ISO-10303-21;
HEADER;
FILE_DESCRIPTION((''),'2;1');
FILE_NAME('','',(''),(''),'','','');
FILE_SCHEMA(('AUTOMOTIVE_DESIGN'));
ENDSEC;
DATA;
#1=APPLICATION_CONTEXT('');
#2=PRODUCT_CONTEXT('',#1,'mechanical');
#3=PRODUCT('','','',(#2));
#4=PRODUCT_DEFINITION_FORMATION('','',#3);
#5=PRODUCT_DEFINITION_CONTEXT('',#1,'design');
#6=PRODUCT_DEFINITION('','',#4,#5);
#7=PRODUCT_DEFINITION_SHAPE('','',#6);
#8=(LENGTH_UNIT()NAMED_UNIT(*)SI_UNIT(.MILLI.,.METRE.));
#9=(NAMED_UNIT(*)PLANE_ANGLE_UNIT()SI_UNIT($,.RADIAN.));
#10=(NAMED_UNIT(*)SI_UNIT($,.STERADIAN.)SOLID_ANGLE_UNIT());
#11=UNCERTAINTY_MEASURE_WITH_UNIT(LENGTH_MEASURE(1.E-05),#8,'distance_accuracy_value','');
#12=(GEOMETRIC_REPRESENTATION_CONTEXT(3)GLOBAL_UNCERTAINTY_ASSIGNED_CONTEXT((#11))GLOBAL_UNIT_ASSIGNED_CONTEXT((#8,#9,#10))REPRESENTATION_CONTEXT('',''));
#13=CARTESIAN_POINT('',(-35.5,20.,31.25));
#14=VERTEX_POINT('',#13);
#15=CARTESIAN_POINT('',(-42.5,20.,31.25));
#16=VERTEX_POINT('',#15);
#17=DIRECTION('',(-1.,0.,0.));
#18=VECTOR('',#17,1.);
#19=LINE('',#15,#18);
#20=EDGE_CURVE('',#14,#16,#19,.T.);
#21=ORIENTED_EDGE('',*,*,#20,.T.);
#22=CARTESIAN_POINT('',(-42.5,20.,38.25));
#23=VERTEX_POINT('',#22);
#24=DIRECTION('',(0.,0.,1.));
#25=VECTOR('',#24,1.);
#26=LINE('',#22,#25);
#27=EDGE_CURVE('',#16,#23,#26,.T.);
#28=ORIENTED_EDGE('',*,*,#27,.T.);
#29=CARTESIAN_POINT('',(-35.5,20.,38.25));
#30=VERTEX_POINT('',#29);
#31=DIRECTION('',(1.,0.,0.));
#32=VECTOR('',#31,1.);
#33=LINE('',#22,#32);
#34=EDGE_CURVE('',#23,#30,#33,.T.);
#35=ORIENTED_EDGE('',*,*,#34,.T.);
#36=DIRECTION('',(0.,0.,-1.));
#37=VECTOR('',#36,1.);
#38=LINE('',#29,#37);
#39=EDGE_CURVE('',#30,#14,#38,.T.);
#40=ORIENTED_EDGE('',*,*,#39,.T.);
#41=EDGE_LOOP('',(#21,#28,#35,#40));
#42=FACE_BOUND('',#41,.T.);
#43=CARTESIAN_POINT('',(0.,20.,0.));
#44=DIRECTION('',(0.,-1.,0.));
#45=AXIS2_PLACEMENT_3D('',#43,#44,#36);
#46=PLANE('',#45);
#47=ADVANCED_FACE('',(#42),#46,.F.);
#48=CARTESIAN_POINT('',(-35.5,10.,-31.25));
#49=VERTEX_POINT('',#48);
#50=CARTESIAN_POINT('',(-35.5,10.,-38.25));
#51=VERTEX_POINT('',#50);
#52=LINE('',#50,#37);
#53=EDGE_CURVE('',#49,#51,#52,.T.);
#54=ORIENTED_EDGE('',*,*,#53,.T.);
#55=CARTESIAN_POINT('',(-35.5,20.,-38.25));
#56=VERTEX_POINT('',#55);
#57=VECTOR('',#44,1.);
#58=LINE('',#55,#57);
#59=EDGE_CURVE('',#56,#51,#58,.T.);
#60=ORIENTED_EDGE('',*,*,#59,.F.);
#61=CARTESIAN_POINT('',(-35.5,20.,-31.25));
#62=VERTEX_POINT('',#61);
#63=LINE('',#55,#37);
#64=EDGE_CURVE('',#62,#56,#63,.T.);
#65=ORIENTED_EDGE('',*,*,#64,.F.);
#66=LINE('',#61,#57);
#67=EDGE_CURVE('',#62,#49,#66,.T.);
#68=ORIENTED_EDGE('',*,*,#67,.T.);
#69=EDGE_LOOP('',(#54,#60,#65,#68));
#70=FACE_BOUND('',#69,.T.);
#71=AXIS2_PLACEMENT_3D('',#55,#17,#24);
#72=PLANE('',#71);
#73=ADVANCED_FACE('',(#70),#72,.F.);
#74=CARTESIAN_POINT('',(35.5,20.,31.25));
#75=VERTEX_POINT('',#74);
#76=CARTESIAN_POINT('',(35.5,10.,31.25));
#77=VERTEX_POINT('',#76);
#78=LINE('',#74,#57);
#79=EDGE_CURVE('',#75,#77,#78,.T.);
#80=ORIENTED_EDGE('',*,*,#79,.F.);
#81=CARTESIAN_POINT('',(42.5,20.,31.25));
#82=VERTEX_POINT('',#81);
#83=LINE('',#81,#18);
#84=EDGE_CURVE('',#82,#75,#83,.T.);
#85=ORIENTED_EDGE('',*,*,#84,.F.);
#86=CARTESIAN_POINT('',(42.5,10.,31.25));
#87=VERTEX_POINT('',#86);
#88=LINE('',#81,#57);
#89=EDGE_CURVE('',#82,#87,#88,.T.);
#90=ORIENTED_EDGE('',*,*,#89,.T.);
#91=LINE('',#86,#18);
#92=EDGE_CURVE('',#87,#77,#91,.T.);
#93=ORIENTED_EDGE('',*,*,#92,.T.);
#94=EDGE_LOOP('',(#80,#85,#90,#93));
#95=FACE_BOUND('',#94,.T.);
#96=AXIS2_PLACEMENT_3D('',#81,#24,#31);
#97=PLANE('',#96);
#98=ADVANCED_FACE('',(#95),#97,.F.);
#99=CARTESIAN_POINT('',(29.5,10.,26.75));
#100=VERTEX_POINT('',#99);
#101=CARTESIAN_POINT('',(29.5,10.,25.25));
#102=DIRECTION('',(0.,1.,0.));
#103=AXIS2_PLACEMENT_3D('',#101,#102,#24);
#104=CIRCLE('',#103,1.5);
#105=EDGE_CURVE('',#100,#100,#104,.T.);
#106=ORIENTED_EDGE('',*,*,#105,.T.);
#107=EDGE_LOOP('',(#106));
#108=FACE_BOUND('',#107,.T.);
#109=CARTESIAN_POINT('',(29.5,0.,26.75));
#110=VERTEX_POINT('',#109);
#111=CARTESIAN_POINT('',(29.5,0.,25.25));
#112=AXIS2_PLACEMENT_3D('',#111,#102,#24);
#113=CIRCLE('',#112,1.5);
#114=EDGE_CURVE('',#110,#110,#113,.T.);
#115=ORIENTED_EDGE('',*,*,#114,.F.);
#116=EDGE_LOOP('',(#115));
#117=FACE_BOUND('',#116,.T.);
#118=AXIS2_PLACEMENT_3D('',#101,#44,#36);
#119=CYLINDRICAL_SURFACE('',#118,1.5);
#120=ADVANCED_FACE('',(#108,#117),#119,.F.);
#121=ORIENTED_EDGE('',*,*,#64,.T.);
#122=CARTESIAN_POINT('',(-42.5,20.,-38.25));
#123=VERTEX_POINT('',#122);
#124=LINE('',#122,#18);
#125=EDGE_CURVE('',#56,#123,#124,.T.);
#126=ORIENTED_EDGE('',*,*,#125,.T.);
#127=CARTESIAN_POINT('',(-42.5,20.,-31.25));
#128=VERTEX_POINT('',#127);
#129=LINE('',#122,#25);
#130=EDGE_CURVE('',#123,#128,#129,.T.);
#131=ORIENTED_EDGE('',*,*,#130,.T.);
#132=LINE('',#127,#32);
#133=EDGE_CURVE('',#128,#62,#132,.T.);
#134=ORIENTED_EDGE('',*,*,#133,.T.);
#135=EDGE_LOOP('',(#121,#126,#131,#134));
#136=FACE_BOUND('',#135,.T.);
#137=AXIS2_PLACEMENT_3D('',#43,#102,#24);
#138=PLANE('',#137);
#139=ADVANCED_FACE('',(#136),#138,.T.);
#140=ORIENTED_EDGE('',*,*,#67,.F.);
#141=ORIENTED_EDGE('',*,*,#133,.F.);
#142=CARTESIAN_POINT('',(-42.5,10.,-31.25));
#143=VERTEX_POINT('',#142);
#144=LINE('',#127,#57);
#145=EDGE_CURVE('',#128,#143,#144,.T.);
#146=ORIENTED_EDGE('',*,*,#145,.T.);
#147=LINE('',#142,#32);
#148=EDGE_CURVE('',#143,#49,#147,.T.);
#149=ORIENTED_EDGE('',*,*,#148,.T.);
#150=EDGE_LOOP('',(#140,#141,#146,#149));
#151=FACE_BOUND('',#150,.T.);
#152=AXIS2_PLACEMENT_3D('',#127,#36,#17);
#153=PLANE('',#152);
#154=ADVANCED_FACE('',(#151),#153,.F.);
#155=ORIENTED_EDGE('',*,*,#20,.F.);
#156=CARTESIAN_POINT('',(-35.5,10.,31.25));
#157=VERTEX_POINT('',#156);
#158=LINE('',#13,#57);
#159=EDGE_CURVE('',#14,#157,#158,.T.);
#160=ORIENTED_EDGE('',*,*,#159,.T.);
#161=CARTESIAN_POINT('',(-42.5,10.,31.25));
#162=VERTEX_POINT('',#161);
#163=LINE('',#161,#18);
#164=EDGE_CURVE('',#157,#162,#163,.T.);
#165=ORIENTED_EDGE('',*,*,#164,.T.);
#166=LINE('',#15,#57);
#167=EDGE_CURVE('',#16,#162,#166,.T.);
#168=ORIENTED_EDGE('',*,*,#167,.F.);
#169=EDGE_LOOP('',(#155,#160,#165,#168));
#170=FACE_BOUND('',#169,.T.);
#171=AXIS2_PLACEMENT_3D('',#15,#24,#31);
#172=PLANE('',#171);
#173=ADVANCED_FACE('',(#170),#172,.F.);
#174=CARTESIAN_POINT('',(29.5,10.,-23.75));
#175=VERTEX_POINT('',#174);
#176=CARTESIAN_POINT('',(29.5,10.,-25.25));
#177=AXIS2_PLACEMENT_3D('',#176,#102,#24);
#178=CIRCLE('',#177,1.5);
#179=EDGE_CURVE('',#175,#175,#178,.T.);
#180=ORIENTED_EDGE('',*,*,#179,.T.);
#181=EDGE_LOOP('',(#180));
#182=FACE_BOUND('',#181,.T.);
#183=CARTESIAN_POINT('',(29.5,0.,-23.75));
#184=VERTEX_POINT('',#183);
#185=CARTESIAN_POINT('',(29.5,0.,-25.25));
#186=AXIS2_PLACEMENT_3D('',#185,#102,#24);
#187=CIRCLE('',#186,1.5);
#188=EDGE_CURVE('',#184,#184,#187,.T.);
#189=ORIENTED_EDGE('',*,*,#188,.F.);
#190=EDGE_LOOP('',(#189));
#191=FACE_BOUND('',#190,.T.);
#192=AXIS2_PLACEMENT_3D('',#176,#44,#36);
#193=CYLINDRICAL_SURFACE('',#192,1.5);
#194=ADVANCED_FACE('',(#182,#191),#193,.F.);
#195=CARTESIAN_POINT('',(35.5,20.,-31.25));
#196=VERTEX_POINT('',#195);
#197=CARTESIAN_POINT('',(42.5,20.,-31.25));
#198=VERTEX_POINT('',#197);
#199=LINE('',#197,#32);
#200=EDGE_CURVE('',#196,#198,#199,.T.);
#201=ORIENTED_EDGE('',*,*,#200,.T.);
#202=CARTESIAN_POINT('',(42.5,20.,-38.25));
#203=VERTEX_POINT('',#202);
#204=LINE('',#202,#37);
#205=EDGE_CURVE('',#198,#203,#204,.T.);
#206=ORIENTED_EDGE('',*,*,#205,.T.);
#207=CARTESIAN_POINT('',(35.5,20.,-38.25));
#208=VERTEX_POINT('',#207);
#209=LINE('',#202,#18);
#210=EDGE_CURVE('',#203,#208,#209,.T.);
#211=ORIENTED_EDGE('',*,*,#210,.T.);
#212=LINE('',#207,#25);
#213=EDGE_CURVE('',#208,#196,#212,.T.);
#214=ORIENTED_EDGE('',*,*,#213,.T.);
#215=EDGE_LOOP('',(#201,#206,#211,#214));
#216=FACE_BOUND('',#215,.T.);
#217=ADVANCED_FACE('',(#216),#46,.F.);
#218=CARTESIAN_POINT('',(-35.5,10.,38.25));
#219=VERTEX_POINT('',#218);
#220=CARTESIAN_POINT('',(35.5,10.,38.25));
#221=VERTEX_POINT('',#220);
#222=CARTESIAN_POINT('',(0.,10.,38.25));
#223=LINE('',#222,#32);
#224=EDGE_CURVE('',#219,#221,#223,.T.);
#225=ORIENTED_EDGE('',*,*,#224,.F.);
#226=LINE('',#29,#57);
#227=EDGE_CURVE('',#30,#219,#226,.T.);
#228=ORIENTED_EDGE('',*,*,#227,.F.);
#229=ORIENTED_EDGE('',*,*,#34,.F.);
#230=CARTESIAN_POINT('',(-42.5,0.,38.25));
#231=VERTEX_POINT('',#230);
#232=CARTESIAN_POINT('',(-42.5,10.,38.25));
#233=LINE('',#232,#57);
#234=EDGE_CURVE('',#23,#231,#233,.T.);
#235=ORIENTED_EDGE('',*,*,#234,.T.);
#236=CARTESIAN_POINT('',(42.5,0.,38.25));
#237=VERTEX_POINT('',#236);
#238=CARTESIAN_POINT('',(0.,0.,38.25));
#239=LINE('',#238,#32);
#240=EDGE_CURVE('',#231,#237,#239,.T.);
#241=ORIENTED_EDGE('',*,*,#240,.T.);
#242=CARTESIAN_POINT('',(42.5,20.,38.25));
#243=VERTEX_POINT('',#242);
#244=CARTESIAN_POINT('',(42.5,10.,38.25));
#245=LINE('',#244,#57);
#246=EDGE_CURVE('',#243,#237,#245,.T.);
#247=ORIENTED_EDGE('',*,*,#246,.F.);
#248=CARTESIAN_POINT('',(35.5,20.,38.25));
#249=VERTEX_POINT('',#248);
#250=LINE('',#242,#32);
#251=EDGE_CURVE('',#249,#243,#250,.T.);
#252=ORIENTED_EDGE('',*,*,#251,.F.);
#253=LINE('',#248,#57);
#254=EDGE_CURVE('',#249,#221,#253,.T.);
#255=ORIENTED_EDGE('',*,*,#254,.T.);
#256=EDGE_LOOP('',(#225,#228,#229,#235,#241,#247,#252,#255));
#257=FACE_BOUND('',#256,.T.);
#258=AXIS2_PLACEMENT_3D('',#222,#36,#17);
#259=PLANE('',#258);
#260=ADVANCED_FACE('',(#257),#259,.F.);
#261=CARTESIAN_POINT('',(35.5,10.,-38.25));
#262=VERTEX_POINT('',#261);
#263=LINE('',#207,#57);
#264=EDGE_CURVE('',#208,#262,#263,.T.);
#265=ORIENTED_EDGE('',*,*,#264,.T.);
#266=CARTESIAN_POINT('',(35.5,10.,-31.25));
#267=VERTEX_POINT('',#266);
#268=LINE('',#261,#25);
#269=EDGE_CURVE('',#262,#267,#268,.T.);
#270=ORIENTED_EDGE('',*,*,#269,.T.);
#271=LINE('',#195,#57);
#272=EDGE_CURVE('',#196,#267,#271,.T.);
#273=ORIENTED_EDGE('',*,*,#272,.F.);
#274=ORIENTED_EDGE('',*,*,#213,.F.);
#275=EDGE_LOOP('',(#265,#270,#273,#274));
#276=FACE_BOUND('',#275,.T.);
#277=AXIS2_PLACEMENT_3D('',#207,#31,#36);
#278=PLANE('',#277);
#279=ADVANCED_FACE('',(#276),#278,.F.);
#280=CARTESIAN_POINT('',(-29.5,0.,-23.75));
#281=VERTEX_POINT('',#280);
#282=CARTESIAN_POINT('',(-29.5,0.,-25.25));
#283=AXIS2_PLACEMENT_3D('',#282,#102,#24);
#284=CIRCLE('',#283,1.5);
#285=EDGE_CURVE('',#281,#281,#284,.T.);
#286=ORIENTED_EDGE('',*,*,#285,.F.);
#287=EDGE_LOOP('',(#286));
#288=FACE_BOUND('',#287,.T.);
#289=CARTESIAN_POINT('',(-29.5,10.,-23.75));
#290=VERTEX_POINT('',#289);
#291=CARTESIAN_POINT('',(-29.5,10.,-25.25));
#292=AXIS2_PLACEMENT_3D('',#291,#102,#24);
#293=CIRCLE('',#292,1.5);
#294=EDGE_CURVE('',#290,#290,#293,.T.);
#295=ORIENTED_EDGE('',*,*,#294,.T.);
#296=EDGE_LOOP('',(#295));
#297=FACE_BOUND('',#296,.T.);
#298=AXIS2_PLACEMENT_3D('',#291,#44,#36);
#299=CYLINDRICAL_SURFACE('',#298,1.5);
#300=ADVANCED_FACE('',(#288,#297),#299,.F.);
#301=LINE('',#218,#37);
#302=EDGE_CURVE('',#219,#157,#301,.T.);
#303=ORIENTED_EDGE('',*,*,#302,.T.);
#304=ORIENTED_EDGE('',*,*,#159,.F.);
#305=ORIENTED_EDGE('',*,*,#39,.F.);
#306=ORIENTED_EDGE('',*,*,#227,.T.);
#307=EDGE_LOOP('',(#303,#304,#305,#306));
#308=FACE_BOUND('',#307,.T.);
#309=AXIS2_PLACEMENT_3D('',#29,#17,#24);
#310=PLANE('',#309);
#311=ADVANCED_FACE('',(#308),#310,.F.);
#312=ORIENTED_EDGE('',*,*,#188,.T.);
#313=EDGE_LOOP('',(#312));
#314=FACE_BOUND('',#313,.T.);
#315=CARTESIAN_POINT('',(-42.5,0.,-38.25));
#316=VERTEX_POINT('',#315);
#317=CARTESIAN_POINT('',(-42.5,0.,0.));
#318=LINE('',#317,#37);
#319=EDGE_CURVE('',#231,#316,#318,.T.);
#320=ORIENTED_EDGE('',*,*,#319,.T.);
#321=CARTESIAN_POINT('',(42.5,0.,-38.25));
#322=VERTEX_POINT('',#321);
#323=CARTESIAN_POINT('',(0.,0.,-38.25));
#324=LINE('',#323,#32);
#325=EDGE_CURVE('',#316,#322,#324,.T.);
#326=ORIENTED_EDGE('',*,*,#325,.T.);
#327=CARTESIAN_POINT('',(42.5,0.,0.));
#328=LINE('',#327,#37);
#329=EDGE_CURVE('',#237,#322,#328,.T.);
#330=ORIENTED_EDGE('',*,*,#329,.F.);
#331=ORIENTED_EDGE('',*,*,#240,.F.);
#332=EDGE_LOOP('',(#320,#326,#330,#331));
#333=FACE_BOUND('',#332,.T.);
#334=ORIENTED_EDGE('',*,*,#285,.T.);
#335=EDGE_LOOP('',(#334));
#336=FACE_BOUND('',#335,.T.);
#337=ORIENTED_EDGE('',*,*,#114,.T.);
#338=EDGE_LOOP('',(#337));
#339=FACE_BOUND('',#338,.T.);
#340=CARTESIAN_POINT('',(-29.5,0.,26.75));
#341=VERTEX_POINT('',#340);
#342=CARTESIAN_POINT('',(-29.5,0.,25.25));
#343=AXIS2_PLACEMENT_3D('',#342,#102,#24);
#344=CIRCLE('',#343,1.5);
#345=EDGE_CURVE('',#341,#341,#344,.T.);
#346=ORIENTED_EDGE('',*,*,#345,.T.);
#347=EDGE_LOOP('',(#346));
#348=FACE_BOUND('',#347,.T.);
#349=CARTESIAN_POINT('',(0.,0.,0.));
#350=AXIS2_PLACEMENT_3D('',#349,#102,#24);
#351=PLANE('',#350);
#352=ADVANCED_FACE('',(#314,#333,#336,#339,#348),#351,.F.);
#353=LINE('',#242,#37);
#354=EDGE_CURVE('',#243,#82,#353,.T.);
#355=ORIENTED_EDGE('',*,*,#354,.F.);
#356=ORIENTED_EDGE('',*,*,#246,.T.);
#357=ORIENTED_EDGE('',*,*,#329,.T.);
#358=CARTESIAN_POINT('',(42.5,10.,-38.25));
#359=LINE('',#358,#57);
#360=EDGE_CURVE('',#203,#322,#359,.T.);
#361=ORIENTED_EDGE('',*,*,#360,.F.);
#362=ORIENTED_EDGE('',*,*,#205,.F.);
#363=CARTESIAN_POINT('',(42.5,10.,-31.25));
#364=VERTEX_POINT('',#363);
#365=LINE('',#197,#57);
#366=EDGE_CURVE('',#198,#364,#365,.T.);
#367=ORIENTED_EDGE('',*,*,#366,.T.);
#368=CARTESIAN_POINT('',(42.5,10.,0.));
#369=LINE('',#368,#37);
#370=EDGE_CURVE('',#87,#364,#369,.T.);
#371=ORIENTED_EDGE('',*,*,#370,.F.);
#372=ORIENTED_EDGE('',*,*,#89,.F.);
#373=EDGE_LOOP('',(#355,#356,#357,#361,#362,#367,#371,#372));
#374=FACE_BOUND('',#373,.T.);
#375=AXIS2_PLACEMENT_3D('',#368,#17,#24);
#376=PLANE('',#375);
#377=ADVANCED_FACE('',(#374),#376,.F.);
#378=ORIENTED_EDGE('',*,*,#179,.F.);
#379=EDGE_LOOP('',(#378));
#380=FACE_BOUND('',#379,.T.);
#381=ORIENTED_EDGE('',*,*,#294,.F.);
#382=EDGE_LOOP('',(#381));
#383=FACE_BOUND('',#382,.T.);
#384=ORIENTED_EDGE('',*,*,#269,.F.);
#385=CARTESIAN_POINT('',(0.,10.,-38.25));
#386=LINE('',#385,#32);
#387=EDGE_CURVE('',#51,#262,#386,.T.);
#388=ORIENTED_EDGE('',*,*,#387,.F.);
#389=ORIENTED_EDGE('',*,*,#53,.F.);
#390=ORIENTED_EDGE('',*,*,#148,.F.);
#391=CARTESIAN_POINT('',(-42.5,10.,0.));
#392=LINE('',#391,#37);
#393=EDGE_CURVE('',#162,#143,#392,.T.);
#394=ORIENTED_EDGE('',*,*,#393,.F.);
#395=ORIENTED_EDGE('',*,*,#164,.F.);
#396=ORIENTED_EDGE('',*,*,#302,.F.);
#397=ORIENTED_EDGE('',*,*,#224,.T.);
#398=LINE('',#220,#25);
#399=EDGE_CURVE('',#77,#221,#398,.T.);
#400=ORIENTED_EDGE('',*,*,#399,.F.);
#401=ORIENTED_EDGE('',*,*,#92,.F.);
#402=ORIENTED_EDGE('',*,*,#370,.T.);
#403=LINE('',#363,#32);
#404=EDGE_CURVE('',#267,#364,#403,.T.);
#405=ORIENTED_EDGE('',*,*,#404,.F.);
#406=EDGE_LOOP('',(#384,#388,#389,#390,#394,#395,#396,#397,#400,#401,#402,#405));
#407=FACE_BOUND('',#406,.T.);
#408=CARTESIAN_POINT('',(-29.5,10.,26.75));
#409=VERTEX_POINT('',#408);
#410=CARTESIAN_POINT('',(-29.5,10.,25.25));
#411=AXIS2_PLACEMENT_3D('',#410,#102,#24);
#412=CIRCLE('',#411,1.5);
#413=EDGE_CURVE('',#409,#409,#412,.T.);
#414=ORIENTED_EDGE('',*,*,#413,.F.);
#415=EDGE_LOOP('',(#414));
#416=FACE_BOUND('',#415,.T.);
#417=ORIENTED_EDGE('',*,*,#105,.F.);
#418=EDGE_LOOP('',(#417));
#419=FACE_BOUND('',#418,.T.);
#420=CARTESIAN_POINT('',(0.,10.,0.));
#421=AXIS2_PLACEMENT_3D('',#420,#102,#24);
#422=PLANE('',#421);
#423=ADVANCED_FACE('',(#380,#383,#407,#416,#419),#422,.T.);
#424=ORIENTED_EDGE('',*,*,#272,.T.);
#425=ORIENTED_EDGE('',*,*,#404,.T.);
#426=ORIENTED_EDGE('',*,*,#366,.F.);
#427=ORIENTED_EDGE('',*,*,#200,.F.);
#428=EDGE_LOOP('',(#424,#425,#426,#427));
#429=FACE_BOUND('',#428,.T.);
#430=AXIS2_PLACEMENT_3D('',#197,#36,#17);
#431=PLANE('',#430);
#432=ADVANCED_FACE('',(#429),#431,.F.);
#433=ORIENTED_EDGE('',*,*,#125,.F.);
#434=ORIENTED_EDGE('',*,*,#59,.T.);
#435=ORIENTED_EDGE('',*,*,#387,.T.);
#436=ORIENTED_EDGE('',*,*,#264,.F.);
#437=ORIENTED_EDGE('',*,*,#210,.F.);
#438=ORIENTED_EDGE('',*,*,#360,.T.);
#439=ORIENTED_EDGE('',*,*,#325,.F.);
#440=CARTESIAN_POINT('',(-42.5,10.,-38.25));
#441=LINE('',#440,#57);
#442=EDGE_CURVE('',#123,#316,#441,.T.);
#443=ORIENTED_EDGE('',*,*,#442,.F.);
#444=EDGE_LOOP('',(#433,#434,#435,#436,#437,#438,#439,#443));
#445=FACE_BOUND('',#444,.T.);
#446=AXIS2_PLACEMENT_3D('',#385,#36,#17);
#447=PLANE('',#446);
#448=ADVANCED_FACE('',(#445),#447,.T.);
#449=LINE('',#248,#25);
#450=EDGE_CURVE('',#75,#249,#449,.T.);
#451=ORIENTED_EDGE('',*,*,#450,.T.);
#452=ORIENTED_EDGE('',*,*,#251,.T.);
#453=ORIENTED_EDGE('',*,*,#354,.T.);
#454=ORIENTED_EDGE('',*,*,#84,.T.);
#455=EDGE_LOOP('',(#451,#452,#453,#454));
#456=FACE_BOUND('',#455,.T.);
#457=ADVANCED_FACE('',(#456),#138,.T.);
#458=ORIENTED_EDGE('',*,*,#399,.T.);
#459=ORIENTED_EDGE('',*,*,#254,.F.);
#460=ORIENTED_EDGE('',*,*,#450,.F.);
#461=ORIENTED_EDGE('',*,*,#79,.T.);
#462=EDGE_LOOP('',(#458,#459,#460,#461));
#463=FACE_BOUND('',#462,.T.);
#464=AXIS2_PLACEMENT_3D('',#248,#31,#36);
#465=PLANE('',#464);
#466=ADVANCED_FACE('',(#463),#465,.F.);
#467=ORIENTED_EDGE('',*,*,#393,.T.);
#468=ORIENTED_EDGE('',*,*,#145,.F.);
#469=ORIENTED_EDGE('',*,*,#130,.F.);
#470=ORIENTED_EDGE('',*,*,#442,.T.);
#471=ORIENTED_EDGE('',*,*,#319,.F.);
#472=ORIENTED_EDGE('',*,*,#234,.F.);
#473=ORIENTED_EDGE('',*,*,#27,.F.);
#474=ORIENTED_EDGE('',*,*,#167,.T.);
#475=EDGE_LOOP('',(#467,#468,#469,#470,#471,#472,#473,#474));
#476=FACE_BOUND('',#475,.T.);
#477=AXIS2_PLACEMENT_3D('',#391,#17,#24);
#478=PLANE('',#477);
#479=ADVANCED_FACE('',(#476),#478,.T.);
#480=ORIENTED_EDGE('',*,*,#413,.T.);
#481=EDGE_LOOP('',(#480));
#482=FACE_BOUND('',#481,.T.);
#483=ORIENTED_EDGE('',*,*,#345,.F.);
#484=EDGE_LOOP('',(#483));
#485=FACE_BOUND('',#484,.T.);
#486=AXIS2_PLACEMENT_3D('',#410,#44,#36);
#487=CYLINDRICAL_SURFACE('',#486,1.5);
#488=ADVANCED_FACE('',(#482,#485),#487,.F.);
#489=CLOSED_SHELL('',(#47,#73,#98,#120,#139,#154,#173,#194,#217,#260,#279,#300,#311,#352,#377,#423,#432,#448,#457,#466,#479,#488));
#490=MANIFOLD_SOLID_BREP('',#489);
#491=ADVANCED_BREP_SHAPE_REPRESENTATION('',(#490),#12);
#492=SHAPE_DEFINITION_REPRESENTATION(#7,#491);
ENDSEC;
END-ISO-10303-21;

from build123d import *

# Parameters (mm, degrees)
SKETCH1_W           = 85
SKETCH1_H           = 76.5
SKETCH1_R           = 1.5
BOSS_EXTRUDE1_DEPTH = 10
SKETCH2_W           = 7
SKETCH2_H           = 7
BOSS_EXTRUDE2_DEPTH = 10


with BuildPart() as part:
    # Sketch1 → Boss-Extrude1 (new body)
    with BuildSketch(Plane(origin=(0, 0, 0), x_dir=(1, 0, 0), z_dir=(0, 1, 0))):
        Rectangle(SKETCH1_W, SKETCH1_H)
        with Locations(Location((-29.5, 25.25, 0), (0, 0, 270))):
            Circle(SKETCH1_R, mode=Mode.SUBTRACT)
        with Locations(Location((-29.5, -25.25, 0), (0, 0, 270))):
            Circle(SKETCH1_R, mode=Mode.SUBTRACT)
        with Locations(Location((29.5, -25.25, 0), (0, 0, 270))):
            Circle(SKETCH1_R, mode=Mode.SUBTRACT)
        with Locations(Location((29.5, 25.25, 0), (0, 0, 270))):
            Circle(SKETCH1_R, mode=Mode.SUBTRACT)
    extrude(amount=BOSS_EXTRUDE1_DEPTH)

    # Sketch2 → Boss-Extrude2 (add)
    with BuildSketch(Plane(origin=(0, 10, 0), x_dir=(1, 0, 0), z_dir=(0, 1, 0))):
        with Locations((-39, 34.75)):
            Rectangle(SKETCH2_W, SKETCH2_H)
        with Locations((39, 34.75)):
            Rectangle(SKETCH2_W, SKETCH2_H)
        with Locations((-39, -34.75)):
            Rectangle(SKETCH2_W, SKETCH2_H)
        with Locations((39, -34.75)):
            Rectangle(SKETCH2_W, SKETCH2_H)
    extrude(amount=BOSS_EXTRUDE2_DEPTH)


solid = part.part
